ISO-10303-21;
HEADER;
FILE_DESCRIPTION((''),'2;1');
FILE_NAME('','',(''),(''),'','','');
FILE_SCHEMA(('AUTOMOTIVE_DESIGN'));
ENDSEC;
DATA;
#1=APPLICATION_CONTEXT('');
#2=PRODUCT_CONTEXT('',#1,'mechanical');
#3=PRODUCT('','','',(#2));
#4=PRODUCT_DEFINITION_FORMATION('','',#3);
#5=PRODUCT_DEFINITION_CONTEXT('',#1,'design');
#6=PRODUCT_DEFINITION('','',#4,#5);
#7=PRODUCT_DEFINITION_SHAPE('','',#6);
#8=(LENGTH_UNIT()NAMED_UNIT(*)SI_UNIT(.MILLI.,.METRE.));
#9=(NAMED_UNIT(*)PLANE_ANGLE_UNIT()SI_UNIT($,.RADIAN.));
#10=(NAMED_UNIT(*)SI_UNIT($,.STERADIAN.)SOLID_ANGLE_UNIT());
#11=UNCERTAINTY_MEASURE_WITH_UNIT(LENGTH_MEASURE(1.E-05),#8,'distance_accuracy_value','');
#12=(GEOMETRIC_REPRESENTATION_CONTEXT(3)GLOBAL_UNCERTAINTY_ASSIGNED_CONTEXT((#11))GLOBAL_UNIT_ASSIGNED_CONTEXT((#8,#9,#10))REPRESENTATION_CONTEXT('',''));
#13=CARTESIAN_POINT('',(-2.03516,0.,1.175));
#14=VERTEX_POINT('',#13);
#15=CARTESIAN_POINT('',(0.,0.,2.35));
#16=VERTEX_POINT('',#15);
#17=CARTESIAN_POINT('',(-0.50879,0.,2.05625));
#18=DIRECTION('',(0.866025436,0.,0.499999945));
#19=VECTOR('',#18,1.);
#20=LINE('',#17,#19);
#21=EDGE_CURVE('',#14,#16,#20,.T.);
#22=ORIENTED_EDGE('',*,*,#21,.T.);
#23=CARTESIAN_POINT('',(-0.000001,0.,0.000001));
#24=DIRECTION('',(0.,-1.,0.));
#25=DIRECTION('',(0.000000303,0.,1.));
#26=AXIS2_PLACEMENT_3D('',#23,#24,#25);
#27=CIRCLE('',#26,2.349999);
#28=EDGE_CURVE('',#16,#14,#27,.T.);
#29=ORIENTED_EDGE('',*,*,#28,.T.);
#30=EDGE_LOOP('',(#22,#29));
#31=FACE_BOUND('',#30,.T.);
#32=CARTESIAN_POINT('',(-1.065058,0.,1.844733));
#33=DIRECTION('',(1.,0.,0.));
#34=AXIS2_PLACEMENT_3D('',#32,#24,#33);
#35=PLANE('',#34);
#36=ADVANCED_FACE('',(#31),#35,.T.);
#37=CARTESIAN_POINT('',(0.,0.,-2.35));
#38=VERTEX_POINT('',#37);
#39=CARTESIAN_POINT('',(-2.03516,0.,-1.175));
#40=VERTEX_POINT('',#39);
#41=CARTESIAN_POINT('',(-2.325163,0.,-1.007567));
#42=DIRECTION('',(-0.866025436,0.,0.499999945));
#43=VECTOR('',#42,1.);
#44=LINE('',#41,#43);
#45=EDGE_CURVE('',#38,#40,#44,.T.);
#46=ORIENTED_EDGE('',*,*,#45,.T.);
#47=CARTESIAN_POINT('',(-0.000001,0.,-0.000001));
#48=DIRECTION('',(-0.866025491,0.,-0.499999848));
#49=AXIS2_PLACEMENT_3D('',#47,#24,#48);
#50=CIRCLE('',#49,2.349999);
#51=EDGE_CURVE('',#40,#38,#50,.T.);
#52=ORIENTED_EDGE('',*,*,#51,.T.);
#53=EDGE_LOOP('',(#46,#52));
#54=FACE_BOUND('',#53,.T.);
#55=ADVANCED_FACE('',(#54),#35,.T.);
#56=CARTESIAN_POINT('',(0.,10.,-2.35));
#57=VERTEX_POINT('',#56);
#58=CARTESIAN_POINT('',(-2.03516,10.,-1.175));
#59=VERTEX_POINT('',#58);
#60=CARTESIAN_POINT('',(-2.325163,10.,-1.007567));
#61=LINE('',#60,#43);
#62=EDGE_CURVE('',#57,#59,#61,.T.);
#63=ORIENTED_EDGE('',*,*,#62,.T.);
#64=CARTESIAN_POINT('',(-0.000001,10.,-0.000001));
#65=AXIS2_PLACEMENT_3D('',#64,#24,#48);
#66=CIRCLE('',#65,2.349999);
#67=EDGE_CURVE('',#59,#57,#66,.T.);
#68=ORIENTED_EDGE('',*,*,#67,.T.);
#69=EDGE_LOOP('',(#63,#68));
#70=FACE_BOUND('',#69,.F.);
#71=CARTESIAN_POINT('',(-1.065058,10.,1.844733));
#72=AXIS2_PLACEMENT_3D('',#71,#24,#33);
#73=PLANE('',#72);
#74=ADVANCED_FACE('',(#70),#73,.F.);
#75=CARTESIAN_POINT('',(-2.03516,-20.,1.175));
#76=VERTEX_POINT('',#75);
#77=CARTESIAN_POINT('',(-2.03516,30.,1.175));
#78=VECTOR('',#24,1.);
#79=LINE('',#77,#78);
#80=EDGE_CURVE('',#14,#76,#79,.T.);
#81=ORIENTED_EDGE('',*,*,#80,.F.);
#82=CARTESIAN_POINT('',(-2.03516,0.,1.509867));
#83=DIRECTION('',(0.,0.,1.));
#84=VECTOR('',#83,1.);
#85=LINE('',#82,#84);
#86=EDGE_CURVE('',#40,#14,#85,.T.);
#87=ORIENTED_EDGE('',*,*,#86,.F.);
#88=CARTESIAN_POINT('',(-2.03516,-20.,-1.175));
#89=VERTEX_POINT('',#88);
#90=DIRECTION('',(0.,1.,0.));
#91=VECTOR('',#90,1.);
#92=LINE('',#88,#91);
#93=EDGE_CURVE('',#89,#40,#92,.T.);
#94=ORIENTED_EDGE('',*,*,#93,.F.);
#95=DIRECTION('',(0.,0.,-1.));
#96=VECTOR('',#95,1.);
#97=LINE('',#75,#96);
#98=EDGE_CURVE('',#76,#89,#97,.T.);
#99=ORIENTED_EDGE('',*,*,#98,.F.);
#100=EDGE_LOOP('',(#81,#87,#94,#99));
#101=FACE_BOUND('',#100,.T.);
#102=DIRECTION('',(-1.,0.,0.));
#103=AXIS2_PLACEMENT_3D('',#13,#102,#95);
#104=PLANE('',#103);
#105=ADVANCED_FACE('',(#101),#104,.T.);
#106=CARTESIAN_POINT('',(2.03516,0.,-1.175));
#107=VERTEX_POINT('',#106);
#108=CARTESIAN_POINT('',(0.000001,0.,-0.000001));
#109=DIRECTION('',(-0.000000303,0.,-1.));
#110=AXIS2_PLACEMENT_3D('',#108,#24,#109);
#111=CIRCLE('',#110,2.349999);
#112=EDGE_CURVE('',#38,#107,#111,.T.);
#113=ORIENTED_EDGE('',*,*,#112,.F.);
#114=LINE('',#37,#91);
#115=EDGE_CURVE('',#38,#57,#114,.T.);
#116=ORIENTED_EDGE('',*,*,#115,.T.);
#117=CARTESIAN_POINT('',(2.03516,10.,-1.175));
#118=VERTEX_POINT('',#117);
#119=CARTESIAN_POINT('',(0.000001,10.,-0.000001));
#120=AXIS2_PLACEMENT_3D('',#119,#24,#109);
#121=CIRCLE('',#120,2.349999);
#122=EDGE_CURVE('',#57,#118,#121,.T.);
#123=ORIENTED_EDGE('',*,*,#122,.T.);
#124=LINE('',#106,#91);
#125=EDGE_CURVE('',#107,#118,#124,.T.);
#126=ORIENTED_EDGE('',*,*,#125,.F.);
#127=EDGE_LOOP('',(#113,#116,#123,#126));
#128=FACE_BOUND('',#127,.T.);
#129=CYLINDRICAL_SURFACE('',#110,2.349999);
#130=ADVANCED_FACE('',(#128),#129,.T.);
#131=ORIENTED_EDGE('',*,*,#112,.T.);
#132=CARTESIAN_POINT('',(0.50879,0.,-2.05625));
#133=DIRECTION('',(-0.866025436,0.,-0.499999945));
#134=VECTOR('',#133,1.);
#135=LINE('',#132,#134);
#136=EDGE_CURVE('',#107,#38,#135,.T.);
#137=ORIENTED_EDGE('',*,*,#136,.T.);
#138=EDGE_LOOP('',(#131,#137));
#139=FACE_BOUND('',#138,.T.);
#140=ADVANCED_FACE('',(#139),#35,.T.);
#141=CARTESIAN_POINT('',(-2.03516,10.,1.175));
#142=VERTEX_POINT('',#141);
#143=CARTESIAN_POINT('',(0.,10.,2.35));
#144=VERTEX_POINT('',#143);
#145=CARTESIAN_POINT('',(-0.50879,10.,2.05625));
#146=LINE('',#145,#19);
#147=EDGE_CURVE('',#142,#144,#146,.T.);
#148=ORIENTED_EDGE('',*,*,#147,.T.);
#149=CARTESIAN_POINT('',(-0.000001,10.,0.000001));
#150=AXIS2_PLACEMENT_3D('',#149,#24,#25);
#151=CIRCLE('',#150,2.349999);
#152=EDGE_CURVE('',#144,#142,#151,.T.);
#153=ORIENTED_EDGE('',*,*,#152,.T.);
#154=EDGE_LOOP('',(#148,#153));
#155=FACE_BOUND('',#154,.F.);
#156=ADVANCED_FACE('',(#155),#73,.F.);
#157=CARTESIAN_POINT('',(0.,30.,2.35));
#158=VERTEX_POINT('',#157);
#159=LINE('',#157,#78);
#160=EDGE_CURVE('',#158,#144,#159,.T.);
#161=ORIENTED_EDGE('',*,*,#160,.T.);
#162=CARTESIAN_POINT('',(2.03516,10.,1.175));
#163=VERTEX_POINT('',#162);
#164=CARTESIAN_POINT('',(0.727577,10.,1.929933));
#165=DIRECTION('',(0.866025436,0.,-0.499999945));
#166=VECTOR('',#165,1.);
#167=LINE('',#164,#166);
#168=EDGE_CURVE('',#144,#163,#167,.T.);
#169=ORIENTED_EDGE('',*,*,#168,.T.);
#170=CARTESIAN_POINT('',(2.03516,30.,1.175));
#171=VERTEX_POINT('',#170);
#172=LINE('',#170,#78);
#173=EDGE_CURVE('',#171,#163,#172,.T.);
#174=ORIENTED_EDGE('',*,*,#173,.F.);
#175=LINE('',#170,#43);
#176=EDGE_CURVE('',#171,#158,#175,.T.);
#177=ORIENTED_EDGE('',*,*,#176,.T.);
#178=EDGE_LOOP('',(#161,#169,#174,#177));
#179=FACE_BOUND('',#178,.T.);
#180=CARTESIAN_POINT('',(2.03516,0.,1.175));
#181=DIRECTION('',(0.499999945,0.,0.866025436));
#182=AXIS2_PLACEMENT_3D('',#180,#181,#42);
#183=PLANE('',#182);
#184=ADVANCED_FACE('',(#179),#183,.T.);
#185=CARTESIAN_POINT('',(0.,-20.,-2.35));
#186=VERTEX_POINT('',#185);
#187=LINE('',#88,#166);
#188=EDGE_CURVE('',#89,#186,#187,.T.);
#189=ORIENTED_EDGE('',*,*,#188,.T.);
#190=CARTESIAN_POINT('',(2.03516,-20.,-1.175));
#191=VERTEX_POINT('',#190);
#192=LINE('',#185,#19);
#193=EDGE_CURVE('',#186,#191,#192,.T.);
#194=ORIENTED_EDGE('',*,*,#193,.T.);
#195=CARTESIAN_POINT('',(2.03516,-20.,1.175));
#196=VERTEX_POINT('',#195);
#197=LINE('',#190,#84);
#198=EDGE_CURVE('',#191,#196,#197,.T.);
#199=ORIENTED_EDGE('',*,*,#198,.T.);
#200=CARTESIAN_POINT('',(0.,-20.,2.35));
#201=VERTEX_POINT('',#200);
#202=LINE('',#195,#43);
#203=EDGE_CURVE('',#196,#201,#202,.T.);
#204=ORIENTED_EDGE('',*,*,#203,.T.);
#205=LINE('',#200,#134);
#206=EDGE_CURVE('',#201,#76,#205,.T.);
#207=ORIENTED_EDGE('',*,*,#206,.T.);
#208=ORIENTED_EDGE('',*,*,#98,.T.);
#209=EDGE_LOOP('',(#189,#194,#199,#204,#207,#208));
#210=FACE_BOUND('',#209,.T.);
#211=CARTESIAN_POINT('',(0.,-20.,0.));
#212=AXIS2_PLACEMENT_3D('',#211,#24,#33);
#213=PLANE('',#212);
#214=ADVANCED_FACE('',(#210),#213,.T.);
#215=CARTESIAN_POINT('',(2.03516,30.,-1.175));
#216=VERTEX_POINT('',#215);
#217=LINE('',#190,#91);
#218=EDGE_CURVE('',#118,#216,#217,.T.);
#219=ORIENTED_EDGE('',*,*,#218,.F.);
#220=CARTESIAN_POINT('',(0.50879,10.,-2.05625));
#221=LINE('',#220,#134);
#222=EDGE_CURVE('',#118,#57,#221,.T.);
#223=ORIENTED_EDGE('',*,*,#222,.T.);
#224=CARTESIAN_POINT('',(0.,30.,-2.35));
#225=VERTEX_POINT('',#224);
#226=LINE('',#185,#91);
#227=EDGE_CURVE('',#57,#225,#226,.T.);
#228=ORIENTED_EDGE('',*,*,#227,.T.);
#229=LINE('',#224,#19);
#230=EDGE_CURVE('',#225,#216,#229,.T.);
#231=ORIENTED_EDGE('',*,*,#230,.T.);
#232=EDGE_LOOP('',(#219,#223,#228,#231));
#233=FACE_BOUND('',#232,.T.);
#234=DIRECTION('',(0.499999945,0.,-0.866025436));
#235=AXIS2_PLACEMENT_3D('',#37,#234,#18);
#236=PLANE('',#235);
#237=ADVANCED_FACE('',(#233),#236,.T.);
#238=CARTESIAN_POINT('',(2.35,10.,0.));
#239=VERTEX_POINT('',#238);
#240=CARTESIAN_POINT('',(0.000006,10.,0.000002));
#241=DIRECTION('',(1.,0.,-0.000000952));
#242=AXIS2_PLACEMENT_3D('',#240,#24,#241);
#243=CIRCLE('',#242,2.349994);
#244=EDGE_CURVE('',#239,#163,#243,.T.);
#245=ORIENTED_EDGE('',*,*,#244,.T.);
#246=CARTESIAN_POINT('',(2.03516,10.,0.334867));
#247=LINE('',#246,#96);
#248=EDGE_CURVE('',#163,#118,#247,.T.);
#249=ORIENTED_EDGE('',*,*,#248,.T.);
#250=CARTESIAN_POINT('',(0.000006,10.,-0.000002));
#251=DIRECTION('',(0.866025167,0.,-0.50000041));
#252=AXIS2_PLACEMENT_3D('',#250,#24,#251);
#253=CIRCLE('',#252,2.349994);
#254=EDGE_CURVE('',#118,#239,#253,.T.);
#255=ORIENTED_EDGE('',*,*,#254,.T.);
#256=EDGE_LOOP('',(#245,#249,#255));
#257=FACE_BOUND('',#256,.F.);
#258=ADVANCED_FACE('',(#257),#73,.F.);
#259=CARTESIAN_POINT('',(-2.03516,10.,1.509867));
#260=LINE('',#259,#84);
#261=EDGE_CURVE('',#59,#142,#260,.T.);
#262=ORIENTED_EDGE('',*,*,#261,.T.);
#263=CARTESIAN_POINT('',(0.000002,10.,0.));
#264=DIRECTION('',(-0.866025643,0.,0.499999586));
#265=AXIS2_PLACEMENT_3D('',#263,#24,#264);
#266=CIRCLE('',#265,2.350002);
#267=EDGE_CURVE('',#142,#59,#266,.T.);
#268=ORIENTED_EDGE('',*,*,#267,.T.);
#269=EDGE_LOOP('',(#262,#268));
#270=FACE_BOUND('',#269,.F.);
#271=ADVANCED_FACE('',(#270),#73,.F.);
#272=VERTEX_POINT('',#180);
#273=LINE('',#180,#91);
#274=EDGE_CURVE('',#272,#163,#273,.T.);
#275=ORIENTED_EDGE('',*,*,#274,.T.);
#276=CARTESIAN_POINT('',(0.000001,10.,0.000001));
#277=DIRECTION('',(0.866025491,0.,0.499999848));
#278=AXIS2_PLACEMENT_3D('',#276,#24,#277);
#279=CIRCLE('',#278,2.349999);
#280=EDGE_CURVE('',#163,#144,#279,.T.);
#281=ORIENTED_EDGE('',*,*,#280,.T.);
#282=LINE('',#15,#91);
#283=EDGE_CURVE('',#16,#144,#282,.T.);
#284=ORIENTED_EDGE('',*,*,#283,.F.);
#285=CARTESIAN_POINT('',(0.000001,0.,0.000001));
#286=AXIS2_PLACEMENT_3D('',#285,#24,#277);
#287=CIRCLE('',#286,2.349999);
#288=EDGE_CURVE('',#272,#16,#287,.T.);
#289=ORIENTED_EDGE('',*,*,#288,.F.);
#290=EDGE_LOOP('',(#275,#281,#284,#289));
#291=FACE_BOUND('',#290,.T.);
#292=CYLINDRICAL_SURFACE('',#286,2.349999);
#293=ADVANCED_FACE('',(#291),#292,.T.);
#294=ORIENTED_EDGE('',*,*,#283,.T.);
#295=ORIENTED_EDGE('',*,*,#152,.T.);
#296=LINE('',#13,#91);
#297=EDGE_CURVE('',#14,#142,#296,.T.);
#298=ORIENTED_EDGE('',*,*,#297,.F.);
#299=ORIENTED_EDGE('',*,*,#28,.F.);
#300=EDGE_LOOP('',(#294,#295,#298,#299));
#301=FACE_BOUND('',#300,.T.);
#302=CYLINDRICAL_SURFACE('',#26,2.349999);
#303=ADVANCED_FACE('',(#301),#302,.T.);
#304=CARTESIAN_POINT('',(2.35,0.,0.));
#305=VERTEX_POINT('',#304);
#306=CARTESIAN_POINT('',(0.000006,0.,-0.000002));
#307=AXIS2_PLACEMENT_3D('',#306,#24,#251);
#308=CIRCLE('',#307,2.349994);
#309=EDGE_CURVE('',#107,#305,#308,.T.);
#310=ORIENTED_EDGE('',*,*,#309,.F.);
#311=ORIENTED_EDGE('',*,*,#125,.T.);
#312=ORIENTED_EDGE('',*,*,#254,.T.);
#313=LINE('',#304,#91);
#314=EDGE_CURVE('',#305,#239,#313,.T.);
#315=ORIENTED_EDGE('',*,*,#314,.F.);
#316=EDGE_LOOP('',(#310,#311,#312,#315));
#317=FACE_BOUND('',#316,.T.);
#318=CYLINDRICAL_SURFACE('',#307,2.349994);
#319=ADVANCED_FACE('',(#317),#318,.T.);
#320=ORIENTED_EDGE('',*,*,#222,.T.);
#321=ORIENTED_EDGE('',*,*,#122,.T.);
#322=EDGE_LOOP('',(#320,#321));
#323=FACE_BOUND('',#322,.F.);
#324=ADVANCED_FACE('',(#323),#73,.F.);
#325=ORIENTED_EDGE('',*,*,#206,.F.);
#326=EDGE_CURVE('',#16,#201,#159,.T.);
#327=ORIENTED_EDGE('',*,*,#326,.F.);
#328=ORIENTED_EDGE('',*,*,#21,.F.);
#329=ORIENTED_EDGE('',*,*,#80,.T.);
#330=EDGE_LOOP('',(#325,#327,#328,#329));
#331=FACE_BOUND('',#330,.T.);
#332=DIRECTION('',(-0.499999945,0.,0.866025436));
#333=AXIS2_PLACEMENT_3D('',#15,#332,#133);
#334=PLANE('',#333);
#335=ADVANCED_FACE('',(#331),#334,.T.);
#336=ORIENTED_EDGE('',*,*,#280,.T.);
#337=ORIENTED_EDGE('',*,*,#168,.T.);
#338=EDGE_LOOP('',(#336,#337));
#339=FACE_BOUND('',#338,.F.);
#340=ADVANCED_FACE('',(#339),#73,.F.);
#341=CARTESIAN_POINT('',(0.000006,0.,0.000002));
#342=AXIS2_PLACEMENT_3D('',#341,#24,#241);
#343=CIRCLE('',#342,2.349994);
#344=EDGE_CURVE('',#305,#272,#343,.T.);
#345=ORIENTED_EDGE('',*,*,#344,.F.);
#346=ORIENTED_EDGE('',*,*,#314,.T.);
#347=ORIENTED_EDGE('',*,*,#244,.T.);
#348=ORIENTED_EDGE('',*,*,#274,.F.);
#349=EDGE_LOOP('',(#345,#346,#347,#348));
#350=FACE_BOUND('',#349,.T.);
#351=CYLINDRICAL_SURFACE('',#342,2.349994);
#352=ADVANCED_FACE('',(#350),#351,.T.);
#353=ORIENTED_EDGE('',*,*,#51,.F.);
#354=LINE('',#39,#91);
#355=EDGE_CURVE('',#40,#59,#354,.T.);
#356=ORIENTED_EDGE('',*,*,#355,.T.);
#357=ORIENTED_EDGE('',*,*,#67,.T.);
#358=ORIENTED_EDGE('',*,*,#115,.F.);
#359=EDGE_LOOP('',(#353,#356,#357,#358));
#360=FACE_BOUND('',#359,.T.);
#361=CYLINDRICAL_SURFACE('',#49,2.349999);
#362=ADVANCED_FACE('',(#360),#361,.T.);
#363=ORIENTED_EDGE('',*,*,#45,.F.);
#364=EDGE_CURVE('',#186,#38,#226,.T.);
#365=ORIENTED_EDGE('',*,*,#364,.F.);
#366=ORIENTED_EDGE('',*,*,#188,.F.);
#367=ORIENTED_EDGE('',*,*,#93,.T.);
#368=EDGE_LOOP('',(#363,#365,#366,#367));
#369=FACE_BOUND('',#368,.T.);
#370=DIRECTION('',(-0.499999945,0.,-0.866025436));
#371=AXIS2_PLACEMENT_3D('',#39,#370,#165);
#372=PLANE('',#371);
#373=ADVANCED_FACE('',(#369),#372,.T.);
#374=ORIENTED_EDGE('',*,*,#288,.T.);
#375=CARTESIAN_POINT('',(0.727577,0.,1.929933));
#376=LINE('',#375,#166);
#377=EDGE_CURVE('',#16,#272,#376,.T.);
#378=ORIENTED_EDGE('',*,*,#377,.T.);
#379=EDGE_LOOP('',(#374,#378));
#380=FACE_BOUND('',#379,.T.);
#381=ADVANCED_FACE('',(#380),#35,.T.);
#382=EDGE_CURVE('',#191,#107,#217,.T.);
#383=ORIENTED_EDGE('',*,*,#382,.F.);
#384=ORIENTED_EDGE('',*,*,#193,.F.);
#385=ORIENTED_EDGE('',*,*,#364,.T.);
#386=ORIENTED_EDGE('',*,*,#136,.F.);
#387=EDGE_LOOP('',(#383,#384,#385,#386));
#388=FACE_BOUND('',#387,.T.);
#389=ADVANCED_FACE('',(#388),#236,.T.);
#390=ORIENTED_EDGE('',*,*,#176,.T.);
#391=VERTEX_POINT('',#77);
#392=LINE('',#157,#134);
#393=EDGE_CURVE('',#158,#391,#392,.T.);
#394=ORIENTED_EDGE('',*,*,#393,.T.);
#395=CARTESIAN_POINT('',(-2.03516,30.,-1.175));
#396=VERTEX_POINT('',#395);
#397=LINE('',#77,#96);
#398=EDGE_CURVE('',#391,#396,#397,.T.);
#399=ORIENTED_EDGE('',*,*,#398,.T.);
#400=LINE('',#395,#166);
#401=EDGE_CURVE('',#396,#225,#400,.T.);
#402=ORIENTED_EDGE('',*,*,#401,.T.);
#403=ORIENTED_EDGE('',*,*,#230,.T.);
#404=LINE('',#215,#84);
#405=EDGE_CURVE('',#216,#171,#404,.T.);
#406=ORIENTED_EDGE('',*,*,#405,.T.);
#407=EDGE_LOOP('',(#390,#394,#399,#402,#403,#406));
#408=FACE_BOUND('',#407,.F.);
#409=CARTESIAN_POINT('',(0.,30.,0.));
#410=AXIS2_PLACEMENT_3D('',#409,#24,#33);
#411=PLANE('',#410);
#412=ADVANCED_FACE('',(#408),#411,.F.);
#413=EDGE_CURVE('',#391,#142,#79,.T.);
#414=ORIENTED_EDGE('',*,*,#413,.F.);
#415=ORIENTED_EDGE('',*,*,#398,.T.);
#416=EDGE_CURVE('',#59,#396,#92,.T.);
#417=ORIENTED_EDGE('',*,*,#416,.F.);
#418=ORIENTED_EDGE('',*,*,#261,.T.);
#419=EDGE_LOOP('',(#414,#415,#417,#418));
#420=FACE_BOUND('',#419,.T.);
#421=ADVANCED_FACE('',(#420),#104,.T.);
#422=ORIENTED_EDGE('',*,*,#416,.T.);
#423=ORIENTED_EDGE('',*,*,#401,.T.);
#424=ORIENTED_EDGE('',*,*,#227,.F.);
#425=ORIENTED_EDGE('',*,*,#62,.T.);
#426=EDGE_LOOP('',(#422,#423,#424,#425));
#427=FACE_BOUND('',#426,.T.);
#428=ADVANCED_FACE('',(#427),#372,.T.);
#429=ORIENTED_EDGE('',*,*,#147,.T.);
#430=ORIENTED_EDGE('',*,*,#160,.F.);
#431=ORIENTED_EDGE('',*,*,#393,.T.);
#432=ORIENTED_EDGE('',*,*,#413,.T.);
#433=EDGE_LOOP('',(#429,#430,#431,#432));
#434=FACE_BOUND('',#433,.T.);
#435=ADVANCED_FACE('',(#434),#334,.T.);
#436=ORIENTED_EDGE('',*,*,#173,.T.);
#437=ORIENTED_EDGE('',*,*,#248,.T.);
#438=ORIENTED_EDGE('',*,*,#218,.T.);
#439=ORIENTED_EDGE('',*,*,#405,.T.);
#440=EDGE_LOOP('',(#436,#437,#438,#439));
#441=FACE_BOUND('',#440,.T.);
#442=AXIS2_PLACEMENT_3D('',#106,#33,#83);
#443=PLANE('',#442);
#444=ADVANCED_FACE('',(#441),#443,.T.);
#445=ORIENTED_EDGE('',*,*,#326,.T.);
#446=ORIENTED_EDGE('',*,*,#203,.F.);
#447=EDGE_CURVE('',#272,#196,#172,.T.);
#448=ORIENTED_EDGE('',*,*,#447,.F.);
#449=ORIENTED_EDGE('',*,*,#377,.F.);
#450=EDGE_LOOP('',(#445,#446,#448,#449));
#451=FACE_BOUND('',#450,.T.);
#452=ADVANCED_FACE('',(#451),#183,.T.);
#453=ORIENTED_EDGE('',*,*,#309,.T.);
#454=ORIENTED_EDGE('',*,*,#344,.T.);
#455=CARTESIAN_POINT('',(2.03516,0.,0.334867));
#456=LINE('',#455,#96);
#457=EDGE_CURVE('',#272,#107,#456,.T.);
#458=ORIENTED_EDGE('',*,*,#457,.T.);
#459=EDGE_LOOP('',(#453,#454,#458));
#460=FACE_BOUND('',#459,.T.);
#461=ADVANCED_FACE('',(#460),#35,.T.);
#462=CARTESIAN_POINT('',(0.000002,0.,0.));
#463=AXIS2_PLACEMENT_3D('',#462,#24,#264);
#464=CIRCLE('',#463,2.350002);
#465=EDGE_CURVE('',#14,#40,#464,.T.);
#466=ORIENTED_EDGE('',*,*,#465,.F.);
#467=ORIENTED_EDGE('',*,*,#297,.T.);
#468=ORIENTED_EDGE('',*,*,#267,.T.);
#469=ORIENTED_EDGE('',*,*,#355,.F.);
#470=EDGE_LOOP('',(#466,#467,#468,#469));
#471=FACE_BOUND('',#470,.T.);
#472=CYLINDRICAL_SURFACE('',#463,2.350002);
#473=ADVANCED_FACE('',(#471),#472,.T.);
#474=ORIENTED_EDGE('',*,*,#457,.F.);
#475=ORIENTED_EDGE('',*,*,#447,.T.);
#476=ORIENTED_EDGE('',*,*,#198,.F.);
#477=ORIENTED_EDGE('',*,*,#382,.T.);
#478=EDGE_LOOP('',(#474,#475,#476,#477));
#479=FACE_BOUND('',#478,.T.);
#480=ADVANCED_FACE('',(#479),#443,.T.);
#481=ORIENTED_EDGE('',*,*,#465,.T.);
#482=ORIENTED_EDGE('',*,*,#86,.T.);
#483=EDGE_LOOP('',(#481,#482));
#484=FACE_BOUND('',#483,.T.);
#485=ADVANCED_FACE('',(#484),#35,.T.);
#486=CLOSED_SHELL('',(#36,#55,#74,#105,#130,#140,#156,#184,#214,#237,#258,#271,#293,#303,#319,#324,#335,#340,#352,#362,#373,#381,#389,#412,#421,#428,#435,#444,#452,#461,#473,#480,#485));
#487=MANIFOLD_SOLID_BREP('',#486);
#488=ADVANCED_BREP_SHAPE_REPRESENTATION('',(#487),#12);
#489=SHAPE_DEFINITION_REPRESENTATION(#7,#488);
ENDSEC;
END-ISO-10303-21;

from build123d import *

# Parameters (mm, degrees)
F1_DEPTH      = 20
F1_DEPTH_BACK = 30
F2_DEPTH      = 10


with BuildPart() as f1:
    # F0 (on Front) → F1 (new body, two sides)
    with BuildSketch(Plane.XZ) as f1_sk:
        Polygon((2.03516, -1.175), (2.03516, 1.175), (0, 2.35), (-2.03516, 1.175), (-2.03516, -1.175), (0, -2.35), align=None)
    extrude(amount=F1_DEPTH)
    extrude(f1_sk.sketch, amount=-F1_DEPTH_BACK)

    # F0 (on Front) → F2 (join)
    with BuildSketch(Plane.XZ):
        with BuildLine():
            Line((-2.03516, 1.175), (0, 2.35))
            ThreePointArc((0, 2.35), (-1.175, 2.03516), (-2.03516, 1.175))
        make_face()
        with BuildLine():
            Line((0, 2.35), (2.03516, 1.175))
            ThreePointArc((2.03516, 1.175), (1.175, 2.03516), (0, 2.35))
        make_face()
        with BuildLine():
            ThreePointArc((2.03516, -1.175), (2.269926, -0.608225), (2.35, 0))
            ThreePointArc((2.35, 0), (2.269926, 0.608225), (2.03516, 1.175))
            Line((2.03516, 1.175), (2.03516, -1.175))
        make_face()
        with BuildLine():
            ThreePointArc((0, -2.35), (1.175, -2.03516), (2.03516, -1.175))
            Line((2.03516, -1.175), (0, -2.35))
        make_face()
        Polygon((2.03516, -1.175), (2.03516, 1.175), (0, 2.35), (-2.03516, 1.175), (-2.03516, -1.175), (0, -2.35), align=None)
        with BuildLine():
            Line((-2.03516, -1.175), (-2.03516, 1.175))
            ThreePointArc((-2.03516, 1.175), (-2.35, 0), (-2.03516, -1.175))
        make_face()
        with BuildLine():
            ThreePointArc((-2.03516, -1.175), (-1.175, -2.03516), (0, -2.35))
            Line((0, -2.35), (-2.03516, -1.175))
        make_face()
    extrude(amount=-F2_DEPTH)


solid = f1.part
